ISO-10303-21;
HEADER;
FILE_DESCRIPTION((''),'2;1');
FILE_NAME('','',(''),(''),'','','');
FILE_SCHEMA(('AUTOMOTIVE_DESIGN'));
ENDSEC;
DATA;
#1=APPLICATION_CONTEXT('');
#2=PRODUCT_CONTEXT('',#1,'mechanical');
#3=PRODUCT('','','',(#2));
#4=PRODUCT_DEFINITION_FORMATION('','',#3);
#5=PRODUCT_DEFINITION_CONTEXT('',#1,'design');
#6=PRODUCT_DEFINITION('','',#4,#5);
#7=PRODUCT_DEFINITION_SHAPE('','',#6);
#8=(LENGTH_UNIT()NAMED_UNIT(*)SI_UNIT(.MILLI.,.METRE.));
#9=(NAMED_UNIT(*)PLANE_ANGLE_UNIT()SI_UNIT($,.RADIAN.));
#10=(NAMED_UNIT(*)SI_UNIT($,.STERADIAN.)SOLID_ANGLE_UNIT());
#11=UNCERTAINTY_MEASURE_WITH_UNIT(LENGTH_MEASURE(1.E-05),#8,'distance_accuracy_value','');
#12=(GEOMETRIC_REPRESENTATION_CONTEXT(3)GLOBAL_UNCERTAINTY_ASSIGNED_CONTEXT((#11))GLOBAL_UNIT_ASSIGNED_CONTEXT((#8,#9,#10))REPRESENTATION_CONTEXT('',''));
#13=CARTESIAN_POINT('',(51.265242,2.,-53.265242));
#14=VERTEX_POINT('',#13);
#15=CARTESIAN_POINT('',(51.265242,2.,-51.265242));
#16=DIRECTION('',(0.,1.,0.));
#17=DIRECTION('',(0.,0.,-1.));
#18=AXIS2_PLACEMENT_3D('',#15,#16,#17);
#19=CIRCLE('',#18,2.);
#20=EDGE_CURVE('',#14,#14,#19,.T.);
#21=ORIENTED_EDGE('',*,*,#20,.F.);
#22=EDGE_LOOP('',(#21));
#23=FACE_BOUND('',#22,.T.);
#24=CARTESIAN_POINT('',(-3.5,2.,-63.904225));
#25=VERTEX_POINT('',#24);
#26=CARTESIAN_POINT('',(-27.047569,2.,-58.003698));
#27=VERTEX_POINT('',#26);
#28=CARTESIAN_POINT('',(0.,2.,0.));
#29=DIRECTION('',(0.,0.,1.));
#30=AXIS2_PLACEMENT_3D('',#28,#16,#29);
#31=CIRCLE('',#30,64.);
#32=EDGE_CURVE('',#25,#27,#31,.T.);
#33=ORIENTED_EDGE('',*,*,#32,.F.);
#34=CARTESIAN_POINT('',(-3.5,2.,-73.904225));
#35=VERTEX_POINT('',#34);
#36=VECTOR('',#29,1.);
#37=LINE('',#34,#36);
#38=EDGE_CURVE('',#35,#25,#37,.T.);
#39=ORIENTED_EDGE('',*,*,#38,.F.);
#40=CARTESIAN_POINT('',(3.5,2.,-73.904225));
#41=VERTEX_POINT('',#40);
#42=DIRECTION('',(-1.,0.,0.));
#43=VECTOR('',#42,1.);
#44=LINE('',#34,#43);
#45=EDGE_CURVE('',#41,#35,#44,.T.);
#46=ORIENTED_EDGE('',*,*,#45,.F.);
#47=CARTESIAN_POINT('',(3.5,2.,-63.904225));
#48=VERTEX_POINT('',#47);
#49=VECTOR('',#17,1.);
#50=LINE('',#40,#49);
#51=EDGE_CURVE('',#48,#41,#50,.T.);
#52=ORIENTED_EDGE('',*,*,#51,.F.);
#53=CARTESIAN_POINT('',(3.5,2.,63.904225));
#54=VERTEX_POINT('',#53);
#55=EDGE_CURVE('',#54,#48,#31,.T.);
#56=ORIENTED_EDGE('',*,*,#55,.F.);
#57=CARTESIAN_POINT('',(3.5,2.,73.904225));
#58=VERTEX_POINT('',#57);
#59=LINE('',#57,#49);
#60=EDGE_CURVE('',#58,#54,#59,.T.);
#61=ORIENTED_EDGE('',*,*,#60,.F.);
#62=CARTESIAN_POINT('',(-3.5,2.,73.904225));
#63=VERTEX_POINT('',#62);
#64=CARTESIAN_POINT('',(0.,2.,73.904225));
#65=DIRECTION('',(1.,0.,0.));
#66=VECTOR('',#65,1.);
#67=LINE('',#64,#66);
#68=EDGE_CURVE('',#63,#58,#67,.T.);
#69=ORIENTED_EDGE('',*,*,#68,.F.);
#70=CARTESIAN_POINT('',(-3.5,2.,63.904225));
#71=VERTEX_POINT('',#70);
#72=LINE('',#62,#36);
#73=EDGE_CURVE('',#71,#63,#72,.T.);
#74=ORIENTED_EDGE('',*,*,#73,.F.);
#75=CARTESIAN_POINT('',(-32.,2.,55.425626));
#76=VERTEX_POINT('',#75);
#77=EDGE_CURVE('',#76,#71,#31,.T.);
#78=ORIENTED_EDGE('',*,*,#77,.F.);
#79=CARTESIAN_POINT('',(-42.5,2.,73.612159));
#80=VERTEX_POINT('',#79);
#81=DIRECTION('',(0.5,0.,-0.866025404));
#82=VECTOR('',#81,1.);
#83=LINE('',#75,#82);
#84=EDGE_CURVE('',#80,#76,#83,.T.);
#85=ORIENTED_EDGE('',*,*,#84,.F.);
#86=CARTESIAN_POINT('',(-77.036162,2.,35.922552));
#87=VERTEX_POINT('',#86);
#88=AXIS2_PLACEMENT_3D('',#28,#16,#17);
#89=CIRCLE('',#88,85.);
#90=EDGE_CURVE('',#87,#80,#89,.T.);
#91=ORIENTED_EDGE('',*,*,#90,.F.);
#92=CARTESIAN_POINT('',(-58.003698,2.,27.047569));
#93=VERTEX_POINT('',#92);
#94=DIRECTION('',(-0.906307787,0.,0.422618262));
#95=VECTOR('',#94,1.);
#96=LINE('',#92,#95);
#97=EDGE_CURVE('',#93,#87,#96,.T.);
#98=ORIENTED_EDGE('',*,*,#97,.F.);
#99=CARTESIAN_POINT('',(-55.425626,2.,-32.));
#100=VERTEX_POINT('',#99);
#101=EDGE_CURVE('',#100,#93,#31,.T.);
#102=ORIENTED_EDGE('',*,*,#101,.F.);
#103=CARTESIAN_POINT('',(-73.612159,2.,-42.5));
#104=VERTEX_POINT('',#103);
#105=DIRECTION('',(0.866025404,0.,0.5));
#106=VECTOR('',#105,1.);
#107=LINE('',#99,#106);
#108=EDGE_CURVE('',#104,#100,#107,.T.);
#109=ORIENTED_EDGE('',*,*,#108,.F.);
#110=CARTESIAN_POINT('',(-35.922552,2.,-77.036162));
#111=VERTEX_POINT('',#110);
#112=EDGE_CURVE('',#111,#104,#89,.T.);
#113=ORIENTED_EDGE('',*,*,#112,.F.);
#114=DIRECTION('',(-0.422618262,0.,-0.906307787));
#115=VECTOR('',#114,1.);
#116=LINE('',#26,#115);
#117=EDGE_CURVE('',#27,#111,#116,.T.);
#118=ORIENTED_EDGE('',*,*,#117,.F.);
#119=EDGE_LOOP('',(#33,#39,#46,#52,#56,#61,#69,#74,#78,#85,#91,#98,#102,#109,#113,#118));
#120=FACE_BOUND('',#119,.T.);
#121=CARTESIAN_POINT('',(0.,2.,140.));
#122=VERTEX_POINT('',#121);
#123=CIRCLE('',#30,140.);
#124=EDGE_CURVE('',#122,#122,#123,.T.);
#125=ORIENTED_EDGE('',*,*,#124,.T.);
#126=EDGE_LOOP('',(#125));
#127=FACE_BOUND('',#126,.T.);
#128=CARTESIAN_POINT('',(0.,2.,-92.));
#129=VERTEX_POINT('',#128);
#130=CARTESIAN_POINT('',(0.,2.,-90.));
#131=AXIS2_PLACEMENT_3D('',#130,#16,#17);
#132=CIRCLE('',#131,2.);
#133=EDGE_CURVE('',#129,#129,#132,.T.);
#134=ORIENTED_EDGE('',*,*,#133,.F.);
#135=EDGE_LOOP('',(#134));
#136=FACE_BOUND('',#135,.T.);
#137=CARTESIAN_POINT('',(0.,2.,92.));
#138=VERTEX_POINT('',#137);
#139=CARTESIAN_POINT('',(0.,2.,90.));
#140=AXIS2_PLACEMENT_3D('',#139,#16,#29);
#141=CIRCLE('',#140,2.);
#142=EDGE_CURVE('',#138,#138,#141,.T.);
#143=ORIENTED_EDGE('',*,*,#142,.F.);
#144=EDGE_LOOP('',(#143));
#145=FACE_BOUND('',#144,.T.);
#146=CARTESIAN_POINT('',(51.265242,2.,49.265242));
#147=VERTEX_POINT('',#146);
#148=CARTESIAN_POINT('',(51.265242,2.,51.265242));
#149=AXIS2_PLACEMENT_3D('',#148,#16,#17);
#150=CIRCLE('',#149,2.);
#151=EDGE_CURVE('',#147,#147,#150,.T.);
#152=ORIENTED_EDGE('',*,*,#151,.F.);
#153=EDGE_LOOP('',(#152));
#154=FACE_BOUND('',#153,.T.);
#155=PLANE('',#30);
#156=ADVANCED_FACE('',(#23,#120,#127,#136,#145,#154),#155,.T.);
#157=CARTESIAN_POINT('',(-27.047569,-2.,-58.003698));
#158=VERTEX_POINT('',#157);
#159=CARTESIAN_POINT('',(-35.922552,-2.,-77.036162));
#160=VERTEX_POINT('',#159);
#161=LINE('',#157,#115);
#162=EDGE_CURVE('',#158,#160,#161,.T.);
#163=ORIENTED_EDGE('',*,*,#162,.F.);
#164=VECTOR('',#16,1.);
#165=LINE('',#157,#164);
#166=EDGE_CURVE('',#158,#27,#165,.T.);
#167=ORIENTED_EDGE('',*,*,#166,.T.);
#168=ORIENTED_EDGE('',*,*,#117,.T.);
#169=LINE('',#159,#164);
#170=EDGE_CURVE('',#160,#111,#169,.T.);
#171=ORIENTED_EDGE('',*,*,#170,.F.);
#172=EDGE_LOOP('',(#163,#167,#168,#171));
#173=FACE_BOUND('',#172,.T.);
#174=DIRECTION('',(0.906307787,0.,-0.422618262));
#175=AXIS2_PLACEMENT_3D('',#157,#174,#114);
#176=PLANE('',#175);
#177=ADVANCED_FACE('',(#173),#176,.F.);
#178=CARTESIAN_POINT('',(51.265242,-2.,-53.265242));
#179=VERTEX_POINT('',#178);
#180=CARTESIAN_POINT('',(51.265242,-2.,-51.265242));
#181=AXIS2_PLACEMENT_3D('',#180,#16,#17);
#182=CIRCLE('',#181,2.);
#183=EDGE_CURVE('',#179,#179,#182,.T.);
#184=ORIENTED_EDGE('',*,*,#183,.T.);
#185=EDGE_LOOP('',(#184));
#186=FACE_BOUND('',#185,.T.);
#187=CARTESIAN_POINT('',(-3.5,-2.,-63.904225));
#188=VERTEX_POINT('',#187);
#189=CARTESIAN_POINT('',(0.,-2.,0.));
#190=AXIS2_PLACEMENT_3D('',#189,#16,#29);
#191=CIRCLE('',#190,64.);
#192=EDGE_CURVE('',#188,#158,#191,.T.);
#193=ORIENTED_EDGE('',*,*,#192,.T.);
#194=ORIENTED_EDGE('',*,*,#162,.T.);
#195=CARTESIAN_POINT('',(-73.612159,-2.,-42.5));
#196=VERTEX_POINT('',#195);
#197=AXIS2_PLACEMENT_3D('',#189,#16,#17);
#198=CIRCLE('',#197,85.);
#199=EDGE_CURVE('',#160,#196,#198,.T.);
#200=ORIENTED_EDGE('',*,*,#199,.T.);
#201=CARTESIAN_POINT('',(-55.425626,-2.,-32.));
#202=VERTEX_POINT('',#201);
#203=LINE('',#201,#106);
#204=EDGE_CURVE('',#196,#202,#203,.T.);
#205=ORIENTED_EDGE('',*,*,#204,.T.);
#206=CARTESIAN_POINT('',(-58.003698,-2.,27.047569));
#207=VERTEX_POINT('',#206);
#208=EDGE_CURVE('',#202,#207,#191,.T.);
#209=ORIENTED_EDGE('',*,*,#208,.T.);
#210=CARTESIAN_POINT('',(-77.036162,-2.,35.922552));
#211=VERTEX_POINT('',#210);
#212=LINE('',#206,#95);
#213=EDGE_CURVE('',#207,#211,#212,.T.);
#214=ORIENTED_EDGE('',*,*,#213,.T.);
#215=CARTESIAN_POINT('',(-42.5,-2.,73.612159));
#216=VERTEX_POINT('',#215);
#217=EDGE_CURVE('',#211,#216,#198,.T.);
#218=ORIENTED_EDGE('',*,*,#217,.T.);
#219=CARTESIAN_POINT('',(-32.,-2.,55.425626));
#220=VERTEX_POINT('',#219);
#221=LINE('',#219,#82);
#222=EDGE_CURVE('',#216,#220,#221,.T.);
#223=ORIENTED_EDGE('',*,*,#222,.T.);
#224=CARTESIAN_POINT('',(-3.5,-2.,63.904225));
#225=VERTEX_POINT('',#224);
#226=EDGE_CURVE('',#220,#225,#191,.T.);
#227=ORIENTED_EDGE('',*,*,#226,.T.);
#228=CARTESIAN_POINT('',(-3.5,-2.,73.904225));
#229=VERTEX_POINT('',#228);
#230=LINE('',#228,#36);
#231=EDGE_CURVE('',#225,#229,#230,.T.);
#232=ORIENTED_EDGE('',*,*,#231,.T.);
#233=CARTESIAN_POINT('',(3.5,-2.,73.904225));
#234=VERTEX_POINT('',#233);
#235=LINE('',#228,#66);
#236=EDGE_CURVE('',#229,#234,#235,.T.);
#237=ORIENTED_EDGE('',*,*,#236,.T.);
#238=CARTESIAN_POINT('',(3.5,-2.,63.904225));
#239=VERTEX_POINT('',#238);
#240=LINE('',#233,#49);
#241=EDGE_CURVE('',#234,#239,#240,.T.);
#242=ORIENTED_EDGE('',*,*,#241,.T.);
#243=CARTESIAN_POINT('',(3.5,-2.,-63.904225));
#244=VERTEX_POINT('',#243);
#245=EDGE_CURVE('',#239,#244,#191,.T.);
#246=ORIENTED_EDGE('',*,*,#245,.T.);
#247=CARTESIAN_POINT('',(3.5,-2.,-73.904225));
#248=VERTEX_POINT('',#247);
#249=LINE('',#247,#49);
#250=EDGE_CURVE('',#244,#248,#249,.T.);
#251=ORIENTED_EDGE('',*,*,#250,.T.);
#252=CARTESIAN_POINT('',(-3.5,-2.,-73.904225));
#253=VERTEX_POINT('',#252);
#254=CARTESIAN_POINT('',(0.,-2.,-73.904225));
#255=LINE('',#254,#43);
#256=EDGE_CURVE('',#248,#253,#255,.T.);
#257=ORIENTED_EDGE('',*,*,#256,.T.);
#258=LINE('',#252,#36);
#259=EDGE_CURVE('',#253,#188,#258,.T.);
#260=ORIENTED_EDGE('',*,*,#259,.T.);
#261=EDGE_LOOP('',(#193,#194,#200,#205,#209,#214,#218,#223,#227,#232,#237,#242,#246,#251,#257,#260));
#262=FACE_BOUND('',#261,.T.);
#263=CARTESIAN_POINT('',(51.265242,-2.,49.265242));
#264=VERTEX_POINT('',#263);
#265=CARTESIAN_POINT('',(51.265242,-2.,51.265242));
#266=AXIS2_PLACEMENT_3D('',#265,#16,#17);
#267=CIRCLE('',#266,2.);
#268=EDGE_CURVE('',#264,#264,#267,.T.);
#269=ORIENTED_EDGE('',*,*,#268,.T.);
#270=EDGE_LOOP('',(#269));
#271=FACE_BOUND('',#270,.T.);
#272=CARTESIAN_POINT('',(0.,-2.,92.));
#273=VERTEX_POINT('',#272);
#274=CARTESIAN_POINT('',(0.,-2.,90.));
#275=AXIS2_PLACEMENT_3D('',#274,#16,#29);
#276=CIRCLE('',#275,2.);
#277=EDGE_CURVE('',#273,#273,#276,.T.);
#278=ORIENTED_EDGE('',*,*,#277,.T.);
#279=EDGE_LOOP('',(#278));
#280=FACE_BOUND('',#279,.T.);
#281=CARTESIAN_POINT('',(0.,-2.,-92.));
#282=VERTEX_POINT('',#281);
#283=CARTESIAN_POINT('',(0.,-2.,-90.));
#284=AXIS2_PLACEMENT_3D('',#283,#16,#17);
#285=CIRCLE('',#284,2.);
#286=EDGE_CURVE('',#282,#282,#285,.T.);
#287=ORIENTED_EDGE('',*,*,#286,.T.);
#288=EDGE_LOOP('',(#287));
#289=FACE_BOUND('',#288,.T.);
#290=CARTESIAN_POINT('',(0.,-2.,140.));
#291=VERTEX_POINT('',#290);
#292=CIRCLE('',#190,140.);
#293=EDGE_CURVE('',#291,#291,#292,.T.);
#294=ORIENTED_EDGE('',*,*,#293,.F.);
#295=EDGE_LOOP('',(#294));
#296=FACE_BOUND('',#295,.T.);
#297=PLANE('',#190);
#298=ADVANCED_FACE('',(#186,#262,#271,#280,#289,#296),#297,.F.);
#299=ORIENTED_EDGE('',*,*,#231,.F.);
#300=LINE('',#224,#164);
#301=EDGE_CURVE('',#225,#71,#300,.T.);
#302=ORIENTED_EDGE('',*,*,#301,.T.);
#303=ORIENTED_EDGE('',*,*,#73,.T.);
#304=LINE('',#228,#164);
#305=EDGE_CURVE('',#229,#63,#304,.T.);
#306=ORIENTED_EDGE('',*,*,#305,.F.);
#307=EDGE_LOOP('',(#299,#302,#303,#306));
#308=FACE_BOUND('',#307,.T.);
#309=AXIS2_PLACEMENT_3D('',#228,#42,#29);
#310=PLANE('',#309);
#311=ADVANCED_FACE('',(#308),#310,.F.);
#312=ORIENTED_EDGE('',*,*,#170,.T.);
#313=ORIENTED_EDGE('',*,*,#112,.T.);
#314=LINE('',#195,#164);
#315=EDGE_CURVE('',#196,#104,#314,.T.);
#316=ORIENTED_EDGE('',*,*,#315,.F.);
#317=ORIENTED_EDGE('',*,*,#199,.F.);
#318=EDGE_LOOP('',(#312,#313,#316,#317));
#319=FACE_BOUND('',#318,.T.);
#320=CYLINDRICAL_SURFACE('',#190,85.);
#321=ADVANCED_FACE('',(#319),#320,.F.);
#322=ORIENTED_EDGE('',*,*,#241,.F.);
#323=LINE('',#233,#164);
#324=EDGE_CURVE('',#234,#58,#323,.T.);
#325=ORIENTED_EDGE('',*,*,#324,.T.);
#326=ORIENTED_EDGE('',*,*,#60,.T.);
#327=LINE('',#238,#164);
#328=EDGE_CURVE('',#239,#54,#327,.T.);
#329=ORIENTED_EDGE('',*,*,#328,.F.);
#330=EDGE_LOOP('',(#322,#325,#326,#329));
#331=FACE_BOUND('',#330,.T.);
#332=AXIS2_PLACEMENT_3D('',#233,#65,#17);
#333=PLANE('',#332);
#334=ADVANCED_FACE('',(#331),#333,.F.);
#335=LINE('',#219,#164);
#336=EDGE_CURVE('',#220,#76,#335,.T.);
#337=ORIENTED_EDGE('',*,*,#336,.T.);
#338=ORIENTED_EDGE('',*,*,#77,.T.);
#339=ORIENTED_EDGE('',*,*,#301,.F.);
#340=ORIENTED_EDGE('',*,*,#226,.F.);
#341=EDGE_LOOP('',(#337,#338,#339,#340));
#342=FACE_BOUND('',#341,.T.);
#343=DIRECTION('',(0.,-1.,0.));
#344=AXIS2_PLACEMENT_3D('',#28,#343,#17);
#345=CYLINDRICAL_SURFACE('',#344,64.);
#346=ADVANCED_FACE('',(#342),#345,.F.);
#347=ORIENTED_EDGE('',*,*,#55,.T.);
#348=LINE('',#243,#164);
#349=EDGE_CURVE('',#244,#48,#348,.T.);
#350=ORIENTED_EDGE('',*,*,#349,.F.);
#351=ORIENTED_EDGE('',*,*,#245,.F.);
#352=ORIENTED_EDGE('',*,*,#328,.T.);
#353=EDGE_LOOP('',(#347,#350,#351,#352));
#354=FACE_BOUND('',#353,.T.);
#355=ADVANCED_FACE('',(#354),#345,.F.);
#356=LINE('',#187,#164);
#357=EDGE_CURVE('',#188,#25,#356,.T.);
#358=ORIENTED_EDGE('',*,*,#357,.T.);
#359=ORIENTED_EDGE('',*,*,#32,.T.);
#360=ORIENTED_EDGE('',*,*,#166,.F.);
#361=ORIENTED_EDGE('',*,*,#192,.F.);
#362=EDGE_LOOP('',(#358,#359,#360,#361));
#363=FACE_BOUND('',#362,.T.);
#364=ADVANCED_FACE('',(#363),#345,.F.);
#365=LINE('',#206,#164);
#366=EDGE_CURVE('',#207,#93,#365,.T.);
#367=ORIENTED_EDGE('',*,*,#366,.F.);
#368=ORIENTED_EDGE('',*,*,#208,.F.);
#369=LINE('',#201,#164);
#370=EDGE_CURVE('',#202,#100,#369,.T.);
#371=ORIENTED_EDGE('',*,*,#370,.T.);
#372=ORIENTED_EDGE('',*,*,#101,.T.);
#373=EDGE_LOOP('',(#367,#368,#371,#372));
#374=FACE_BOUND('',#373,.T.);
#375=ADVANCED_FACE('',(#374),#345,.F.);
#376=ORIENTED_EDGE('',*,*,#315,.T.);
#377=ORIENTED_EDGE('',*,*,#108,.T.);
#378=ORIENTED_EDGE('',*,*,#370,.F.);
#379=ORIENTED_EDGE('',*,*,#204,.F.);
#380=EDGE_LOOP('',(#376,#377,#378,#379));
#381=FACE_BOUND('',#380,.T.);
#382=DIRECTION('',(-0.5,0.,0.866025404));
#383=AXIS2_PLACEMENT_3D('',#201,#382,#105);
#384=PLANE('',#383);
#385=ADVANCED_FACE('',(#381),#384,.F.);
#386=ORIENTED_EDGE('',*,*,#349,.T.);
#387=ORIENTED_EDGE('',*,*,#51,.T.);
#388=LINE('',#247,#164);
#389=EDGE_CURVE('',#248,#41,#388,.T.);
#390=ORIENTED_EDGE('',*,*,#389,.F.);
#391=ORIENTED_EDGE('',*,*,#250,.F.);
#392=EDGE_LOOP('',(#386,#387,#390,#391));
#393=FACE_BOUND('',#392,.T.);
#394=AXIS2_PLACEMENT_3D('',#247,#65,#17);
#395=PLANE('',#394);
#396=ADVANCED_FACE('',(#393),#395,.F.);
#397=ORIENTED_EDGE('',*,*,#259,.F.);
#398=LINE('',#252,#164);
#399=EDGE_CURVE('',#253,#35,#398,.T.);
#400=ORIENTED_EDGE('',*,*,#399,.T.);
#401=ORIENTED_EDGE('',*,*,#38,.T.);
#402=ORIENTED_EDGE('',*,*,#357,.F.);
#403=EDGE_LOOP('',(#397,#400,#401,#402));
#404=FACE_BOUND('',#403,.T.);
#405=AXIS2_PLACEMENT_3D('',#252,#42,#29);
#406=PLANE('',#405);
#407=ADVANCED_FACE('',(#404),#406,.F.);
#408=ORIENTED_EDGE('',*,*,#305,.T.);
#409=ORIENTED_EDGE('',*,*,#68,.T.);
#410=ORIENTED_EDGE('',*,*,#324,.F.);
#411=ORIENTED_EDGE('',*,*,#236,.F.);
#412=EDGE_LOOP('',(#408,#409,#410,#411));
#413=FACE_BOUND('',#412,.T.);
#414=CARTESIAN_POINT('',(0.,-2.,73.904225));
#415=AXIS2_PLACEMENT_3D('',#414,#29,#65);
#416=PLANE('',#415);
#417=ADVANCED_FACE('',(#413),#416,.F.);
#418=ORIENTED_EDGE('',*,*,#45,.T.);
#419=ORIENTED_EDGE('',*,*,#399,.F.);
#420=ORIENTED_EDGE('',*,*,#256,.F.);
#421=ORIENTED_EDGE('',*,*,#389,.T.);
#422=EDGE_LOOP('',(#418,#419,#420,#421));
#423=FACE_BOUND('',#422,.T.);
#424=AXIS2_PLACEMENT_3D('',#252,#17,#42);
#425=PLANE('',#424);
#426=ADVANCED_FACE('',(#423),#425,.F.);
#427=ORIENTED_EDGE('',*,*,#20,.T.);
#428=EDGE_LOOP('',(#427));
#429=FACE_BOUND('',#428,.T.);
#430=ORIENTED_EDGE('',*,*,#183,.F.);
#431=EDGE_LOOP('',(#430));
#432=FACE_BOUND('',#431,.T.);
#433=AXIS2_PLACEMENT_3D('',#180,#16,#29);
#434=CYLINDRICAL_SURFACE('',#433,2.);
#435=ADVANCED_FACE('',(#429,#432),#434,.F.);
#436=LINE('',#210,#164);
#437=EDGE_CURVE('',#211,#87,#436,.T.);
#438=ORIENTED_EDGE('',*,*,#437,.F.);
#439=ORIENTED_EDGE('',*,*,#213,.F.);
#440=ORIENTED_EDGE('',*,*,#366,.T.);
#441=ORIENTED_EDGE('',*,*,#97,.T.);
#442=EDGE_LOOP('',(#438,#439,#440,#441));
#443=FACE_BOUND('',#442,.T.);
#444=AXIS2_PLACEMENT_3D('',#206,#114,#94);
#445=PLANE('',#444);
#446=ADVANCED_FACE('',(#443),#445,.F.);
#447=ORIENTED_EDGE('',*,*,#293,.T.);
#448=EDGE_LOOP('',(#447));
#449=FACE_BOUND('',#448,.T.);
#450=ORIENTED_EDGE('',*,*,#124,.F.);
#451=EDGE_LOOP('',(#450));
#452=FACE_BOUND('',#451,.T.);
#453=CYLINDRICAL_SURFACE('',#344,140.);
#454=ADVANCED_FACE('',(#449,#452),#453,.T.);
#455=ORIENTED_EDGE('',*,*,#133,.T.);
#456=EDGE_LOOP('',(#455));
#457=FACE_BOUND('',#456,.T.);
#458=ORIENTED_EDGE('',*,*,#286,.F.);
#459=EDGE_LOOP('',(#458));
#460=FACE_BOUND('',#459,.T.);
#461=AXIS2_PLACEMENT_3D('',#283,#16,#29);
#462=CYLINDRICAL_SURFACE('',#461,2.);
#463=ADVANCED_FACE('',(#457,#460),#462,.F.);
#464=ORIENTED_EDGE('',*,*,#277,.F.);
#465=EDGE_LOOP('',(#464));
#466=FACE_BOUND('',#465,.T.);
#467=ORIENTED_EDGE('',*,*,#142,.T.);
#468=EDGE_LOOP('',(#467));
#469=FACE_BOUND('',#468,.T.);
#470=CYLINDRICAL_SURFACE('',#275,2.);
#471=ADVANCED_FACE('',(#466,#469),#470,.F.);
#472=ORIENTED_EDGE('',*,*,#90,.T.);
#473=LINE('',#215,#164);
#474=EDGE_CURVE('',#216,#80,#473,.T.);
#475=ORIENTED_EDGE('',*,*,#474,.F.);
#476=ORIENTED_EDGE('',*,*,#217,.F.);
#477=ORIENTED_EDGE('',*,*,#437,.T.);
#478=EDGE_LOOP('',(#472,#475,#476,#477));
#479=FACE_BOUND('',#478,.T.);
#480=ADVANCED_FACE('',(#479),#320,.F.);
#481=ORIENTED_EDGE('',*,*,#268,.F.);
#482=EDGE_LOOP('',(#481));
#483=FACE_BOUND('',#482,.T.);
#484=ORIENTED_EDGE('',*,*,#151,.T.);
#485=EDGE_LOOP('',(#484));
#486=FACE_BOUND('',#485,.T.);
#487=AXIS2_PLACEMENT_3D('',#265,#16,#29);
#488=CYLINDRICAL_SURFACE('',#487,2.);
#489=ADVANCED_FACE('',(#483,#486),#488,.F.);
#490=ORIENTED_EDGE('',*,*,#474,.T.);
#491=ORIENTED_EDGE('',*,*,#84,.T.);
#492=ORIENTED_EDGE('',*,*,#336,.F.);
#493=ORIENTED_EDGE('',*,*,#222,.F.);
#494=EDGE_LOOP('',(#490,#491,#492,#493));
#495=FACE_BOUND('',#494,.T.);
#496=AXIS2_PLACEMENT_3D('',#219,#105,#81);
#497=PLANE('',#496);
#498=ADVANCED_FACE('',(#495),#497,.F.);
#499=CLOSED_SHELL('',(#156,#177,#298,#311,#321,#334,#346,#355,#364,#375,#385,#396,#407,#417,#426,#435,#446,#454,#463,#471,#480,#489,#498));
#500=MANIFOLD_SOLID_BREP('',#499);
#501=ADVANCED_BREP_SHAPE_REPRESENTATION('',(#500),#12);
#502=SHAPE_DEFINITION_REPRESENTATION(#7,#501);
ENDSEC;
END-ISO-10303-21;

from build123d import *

# Parameters (mm, degrees)
SKETCH1_R           = 140
SKETCH1_R_2         = 64
BOSS_EXTRUDE1_DEPTH = 2
CUT_EXTRUDE1_DEPTH  = 199.030300712
SKETCH4_R           = 2
CUT_EXTRUDE2_DEPTH  = 199.030300712
SKETCH5_R           = 2
CUT_EXTRUDE3_DEPTH  = 199.030300712
SKETCH6_R           = 2
CUT_EXTRUDE4_DEPTH  = 199.030300712
CUT_EXTRUDE6_DEPTH  = 199.030300712


with BuildPart() as part:
    # Sketch1 → Boss-Extrude1 (new, symmetric)
    with BuildSketch(Plane(origin=(0, 0, 0), x_dir=(1, 0, 0), z_dir=(0, 1, 0))):
        with Locations(Location((0, 0, 0), (0, 0, 270))):
            Circle(SKETCH1_R)
        with Locations(Location((0, 0, 0), (0, 0, 270))):
            Circle(SKETCH1_R_2, mode=Mode.SUBTRACT)
    extrude(amount=BOSS_EXTRUDE1_DEPTH, both=True)

    # Sketch2 → Cut-Extrude1 (cut, through all)
    with BuildSketch(Plane(origin=(0, 2, 0), x_dir=(1, 0, 0), z_dir=(0, 1, 0))):
        with BuildLine():
            Line((-3.5, 73.904225212), (0, 73.904225212))
            Line((0, 73.904225212), (3.5, 73.904225212))
            Line((3.5, 73.904225212), (3.5, 63.904225212))
            ThreePointArc((3.5, 63.904225212), (0, 64), (-3.5, 63.904225212))
            Line((-3.5, 63.904225212), (-3.5, 73.904225212))
        make_face()
        with BuildLine():
            Line((3.5, -73.904225212), (3.5, -63.904225212))
            ThreePointArc((3.5, -63.904225212), (0, -64), (-3.5, -63.904225212))
            Line((-3.5, -63.904225212), (-3.5, -73.904225212))
            Line((-3.5, -73.904225212), (0, -73.904225212))
            Line((0, -73.904225212), (3.5, -73.904225212))
        make_face()
    extrude(amount=-CUT_EXTRUDE1_DEPTH, mode=Mode.SUBTRACT)

    # Sketch4 → Cut-Extrude2 (cut, through all)
    with BuildSketch(Plane(origin=(0, 2, 0), x_dir=(1, 0, 0), z_dir=(0, 1, 0))):
        with Locations(Location((-51.265241636, 51.265241636, 0), (0, 0, 270))):
            Circle(SKETCH4_R)
        with Locations(Location((51.265241636, -51.265241636, 0), (0, 0, 90))):
            Circle(SKETCH4_R)
    extrude(amount=-CUT_EXTRUDE2_DEPTH, mode=Mode.SUBTRACT)

    # Sketch5 → Cut-Extrude3 (cut, through all)
    with BuildSketch(Plane(origin=(0, 2, 0), x_dir=(1, 0, 0), z_dir=(0, 1, 0))):
        with Locations(Location((0, -90, 0), (0, 0, 270))):
            Circle(SKETCH5_R)
        with Locations(Location((0, 90, 0), (0, 0, 90))):
            Circle(SKETCH5_R)
    extrude(amount=-CUT_EXTRUDE3_DEPTH, mode=Mode.SUBTRACT)

    # Sketch6 → Cut-Extrude4 (cut, through all)
    with BuildSketch(Plane(origin=(0, 2, 0), x_dir=(1, 0, 0), z_dir=(0, 1, 0))):
        with Locations(Location((-51.265241636, -51.265241636, 0), (0, 0, 270))):
            Circle(SKETCH6_R)
        with Locations(Location((51.265241636, 51.265241636, 0), (0, 0, 90))):
            Circle(SKETCH6_R)
    extrude(amount=-CUT_EXTRUDE4_DEPTH, mode=Mode.SUBTRACT)

    # Sketch7 → Cut-Extrude6 (cut, through all)
    with BuildSketch(Plane(origin=(0, 2, 0), x_dir=(1, 0, 0), z_dir=(0, 1, 0))):
        with BuildLine():
            Line((-27.047568751, 58.00369837), (-35.922552248, 77.036161898))
            ThreePointArc((-35.922552248, 77.036161898), (-57.425167647, 62.668573629), (-73.612159322, 42.5))
            Line((-73.612159322, 42.5), (-55.425625842, 32))
            ThreePointArc((-55.425625842, 32), (-43.237773287, 47.185749556), (-27.047568751, 58.00369837))
        make_face()
        with BuildLine():
            Line((-58.00369837, -27.047568751), (-77.036161898, -35.922552248))
            ThreePointArc((-77.036161898, -35.922552248), (-62.668573629, -57.425167647), (-42.5, -73.612159322))
            Line((-42.5, -73.612159322), (-32, -55.425625842))
            ThreePointArc((-32, -55.425625842), (-47.185749556, -43.237773287), (-58.00369837, -27.047568751))
        make_face()
    extrude(amount=-CUT_EXTRUDE6_DEPTH, mode=Mode.SUBTRACT)


solid = part.part
